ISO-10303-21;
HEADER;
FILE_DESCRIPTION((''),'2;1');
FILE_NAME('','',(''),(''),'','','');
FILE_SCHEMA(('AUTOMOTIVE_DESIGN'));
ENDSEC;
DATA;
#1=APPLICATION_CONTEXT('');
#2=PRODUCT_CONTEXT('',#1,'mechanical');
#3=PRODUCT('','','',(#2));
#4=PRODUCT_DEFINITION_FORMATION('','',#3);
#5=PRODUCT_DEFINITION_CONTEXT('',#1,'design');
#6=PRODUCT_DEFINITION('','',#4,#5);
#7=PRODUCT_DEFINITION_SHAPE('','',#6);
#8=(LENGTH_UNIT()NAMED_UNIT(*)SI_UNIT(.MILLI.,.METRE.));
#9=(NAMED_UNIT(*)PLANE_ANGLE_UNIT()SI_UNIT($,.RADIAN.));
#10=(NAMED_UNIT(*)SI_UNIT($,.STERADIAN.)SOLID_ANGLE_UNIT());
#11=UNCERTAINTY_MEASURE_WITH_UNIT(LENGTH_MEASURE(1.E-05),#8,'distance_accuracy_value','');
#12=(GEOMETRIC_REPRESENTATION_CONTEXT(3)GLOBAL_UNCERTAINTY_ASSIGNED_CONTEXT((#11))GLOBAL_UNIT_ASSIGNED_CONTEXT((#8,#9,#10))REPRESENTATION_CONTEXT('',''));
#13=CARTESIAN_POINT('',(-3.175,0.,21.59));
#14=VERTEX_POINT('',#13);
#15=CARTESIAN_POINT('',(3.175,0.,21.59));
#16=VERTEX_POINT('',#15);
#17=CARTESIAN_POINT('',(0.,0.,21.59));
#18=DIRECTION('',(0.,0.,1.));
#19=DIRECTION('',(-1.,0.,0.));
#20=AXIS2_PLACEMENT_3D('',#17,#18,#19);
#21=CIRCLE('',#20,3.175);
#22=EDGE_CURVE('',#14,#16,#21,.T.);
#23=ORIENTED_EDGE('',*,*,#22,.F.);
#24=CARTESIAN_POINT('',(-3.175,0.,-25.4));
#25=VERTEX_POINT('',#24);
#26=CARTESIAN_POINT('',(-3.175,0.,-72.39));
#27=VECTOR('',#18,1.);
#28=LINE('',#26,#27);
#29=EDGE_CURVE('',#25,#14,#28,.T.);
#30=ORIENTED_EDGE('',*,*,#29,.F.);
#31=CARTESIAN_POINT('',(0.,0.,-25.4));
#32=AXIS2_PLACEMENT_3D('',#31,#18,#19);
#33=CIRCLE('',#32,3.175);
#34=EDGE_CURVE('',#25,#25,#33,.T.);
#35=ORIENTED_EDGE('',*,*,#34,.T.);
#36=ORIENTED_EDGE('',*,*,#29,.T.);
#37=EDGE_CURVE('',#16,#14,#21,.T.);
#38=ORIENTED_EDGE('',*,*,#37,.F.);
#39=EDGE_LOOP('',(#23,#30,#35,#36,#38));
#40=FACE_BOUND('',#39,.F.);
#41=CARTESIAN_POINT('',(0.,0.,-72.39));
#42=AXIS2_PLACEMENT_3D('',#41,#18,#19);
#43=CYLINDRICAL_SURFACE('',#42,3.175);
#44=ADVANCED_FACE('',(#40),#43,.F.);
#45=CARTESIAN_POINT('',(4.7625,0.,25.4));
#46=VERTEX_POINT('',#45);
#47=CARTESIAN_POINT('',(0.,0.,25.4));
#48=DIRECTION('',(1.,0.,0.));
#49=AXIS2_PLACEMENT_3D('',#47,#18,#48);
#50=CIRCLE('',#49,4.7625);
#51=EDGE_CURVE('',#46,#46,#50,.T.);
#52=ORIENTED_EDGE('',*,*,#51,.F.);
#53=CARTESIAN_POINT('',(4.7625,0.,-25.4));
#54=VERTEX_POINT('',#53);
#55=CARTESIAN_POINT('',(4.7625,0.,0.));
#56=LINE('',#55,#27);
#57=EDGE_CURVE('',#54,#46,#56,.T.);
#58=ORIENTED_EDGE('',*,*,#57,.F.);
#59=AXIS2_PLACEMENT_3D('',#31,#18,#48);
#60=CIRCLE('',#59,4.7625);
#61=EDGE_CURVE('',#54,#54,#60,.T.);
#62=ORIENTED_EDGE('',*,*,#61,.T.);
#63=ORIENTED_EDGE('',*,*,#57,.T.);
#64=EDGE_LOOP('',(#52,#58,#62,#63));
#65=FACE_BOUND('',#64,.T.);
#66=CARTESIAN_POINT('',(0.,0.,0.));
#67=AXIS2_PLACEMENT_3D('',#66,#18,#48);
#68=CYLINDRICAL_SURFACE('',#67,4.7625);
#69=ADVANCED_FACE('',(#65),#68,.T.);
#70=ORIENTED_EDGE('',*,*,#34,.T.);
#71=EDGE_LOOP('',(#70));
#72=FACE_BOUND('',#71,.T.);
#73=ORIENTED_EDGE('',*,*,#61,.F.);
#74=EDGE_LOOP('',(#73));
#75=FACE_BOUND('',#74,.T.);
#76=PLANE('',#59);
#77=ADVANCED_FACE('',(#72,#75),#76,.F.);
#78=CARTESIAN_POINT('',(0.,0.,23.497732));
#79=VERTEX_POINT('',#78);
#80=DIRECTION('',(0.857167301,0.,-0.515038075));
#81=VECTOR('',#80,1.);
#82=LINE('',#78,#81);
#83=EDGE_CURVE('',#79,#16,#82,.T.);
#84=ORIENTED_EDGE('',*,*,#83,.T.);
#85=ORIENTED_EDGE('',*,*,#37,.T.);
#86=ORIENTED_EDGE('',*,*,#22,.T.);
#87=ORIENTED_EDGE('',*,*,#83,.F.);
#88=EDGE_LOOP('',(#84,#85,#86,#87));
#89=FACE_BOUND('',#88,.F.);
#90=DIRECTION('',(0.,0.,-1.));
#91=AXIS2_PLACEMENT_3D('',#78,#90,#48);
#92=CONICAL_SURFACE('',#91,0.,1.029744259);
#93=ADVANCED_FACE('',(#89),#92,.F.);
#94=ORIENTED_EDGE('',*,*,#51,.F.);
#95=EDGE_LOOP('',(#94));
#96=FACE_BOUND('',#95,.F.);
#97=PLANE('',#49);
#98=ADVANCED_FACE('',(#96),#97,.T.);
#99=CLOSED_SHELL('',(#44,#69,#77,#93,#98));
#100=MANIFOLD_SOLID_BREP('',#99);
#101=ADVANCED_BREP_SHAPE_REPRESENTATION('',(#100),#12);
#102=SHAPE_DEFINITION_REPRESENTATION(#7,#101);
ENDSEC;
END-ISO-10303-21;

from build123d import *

# Parameters (mm, degrees)
F0_W     = 4.7625
F0_H     = 50.8
F3_D     = 6.35
F3_DEPTH = 46.99
F3_TIP   = 1.9077324654


with BuildPart() as f1:
    # F0 (on Front) → F1 (revolve)
    with BuildSketch(Plane.XZ):
        with Locations((2.38125, 0)):
            Rectangle(F0_W, F0_H)
    revolve(axis=Axis((0, 0, 0), (0, 0, 1)))

    # F3
    with Locations(Plane(origin=(0, 0, -25.4), x_dir=(1, 0, 0), z_dir=(0, 0, -1))):
        with Locations((0, 0)):
            Hole(F3_D / 2, depth=F3_DEPTH)
            with Locations((0, 0, -(F3_DEPTH + F3_TIP / 2))):  # 118° drill point
                Cone(0, F3_D / 2, F3_TIP, mode=Mode.SUBTRACT)


solid = f1.part
